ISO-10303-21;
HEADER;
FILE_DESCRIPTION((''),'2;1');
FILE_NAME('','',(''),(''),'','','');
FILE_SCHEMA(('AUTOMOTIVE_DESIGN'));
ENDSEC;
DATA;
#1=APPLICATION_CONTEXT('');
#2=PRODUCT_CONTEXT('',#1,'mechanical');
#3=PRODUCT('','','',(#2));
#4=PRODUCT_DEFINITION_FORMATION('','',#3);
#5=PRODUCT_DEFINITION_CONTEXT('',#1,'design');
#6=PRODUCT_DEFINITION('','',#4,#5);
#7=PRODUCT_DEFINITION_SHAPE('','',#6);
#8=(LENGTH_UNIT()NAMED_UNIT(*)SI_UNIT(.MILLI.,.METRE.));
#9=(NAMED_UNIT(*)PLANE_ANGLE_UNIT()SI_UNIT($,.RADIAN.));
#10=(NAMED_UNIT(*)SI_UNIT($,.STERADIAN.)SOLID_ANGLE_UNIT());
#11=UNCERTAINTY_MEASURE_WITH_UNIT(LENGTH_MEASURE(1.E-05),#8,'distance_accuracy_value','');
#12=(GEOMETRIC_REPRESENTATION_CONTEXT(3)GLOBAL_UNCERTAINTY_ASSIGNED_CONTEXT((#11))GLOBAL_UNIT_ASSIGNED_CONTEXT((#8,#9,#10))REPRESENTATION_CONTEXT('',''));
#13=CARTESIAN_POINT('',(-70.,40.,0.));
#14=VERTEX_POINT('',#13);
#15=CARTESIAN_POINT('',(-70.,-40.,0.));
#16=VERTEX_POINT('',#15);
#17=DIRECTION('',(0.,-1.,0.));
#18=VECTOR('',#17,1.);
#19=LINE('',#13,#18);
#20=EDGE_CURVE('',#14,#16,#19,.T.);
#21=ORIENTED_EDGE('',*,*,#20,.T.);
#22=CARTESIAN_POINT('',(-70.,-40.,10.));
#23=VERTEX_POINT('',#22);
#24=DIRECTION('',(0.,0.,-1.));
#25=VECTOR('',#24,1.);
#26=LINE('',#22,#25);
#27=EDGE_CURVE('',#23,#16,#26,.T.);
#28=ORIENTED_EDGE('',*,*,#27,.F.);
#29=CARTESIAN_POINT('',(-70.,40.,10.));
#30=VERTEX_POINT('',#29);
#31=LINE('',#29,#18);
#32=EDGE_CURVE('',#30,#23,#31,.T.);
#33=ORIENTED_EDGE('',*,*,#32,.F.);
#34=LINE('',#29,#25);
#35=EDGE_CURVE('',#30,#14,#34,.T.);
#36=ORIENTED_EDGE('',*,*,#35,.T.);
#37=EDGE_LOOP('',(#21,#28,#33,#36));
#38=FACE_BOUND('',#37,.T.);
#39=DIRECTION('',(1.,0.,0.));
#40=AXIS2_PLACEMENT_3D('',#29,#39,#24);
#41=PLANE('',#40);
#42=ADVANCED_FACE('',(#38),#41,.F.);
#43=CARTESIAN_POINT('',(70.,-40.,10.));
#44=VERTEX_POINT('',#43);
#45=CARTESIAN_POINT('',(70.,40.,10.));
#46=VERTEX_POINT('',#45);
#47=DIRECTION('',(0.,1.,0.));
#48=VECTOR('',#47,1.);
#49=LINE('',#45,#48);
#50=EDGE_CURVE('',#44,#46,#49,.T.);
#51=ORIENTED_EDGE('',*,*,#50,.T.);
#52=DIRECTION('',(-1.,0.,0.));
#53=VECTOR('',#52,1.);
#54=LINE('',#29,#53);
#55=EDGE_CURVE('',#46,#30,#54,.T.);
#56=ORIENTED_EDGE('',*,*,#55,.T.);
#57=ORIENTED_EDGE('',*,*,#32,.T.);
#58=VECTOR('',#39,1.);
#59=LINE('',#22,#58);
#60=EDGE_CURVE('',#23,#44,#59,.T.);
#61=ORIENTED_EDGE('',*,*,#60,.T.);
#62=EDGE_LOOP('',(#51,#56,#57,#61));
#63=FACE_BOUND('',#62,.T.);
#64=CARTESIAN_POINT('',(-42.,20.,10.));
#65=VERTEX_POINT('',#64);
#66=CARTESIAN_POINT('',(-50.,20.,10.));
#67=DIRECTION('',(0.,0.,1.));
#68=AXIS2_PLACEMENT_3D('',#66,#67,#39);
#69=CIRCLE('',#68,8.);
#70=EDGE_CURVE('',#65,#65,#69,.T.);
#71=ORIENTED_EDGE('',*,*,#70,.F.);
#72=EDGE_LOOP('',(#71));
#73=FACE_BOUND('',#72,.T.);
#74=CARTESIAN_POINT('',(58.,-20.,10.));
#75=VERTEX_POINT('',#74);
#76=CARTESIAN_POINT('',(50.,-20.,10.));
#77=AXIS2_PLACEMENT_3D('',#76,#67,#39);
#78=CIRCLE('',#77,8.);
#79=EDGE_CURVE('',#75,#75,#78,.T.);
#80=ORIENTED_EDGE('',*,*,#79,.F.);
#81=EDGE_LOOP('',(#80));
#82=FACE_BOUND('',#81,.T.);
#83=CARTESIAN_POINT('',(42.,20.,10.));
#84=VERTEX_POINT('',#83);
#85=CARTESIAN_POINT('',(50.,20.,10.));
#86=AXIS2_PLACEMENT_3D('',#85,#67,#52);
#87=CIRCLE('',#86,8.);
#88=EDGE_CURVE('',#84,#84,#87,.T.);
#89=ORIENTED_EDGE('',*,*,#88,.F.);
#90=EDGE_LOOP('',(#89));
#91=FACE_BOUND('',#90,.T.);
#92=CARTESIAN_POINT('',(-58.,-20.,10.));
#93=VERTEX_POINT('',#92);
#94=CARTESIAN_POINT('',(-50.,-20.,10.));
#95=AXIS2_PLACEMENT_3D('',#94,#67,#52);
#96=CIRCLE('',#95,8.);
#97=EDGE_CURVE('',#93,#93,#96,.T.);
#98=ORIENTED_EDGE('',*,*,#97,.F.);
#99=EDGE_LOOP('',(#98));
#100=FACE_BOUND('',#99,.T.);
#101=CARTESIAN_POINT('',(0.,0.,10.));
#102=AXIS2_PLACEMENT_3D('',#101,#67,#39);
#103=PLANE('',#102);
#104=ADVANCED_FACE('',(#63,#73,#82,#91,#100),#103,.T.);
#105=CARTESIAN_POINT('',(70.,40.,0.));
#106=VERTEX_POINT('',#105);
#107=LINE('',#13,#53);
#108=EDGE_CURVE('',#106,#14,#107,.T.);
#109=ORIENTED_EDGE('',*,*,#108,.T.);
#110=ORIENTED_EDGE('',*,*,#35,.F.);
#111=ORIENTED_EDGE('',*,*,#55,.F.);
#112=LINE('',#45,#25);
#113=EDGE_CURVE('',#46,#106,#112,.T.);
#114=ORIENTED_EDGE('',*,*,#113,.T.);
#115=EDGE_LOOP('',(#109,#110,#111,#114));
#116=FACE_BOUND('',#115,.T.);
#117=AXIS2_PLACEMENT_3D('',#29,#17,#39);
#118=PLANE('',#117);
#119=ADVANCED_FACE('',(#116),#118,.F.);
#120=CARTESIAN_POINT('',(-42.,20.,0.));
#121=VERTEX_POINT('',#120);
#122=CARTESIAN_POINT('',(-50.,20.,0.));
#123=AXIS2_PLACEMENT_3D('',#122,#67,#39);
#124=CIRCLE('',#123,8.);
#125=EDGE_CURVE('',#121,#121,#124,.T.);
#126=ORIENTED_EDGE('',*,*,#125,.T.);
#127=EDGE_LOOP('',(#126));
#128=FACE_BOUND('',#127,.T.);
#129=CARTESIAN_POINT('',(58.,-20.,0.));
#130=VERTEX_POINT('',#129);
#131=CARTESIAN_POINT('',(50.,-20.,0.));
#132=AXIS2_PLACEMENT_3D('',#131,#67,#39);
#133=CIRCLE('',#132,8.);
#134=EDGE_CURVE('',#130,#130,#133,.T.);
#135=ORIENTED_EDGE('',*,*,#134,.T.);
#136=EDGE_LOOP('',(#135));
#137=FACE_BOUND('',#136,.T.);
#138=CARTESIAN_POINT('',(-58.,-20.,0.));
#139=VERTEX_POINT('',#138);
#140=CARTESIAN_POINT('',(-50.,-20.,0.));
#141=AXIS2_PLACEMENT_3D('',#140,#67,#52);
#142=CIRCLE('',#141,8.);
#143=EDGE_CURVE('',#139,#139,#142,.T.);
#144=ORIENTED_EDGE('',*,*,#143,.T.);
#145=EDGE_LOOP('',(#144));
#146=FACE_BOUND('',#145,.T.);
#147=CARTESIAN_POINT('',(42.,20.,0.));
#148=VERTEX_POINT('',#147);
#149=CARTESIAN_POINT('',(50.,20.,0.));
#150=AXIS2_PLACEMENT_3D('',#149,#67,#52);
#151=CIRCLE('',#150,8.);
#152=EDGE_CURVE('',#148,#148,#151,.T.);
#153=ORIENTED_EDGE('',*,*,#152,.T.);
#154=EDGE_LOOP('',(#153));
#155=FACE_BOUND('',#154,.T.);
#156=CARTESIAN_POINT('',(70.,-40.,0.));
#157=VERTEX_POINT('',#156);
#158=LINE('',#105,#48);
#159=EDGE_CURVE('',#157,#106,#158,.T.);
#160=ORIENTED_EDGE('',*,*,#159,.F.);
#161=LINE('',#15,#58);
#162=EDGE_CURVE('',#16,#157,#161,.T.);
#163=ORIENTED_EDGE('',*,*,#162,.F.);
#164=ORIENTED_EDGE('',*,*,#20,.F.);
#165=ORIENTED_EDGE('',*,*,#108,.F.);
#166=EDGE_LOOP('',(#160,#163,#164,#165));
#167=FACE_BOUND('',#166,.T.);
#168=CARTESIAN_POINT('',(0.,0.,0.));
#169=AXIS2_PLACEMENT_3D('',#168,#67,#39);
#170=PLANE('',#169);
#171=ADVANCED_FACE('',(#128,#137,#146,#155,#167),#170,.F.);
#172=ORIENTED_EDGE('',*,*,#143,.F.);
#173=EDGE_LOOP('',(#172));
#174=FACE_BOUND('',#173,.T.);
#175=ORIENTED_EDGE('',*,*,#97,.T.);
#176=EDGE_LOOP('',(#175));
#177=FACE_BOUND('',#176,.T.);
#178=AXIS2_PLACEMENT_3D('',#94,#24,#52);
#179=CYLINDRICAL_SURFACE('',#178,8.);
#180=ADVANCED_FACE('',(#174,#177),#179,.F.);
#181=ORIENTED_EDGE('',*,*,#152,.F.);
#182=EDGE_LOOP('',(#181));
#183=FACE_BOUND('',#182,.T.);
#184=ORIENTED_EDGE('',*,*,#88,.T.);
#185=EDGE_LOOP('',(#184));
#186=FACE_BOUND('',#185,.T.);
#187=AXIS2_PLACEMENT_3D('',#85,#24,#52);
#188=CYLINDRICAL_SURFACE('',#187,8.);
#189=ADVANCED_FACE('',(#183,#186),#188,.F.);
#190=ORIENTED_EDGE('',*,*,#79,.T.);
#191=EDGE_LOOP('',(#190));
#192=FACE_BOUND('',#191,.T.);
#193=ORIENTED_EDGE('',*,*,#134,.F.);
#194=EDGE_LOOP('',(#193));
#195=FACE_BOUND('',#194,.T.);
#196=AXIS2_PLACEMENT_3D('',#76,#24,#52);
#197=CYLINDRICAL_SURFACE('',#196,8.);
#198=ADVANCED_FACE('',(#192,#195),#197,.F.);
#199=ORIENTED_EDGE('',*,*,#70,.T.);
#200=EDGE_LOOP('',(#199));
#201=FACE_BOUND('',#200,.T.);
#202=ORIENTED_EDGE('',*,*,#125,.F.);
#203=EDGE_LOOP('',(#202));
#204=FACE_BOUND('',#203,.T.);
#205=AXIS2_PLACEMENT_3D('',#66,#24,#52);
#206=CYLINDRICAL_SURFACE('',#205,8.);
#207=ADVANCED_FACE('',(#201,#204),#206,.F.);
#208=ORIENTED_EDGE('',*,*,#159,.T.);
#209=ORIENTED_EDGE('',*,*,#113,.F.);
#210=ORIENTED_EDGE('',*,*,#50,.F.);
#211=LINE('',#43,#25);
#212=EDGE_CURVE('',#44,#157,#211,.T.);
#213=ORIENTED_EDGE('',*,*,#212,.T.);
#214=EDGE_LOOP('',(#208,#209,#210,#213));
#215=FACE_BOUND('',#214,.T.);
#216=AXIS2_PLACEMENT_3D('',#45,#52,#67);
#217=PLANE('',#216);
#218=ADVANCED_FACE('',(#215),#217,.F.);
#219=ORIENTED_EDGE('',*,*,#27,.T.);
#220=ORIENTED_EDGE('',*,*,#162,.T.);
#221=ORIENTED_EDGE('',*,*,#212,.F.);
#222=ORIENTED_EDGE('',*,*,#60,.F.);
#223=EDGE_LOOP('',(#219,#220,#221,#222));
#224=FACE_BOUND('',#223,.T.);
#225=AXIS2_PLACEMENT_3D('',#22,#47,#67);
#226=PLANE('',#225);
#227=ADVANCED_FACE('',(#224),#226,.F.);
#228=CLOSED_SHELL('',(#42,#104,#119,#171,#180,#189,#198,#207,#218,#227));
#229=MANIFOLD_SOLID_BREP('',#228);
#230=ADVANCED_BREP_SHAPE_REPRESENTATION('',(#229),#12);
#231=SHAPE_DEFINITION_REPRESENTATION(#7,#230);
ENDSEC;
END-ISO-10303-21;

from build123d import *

# Parameters (mm, degrees)
SZKIC1_W                    = 140
SZKIC1_H                    = 80
SZKIC1_R                    = 8
DODANIE_WYCI_GNI_CIE1_DEPTH = 10


with BuildPart() as part:
    # Szkic1 → Dodanie-wyciągnięcie1 (new body)
    with BuildSketch(Plane.XY):
        Rectangle(SZKIC1_W, SZKIC1_H)
        with Locations((-50, 20)):
            Circle(SZKIC1_R, mode=Mode.SUBTRACT)
        with Locations(Location((50, 20, 0), (0, 0, 180))):
            Circle(SZKIC1_R, mode=Mode.SUBTRACT)
        with Locations((50, -20)):
            Circle(SZKIC1_R, mode=Mode.SUBTRACT)
        with Locations(Location((-50, -20, 0), (0, 0, 180))):
            Circle(SZKIC1_R, mode=Mode.SUBTRACT)
    extrude(amount=DODANIE_WYCI_GNI_CIE1_DEPTH)


solid = part.part
